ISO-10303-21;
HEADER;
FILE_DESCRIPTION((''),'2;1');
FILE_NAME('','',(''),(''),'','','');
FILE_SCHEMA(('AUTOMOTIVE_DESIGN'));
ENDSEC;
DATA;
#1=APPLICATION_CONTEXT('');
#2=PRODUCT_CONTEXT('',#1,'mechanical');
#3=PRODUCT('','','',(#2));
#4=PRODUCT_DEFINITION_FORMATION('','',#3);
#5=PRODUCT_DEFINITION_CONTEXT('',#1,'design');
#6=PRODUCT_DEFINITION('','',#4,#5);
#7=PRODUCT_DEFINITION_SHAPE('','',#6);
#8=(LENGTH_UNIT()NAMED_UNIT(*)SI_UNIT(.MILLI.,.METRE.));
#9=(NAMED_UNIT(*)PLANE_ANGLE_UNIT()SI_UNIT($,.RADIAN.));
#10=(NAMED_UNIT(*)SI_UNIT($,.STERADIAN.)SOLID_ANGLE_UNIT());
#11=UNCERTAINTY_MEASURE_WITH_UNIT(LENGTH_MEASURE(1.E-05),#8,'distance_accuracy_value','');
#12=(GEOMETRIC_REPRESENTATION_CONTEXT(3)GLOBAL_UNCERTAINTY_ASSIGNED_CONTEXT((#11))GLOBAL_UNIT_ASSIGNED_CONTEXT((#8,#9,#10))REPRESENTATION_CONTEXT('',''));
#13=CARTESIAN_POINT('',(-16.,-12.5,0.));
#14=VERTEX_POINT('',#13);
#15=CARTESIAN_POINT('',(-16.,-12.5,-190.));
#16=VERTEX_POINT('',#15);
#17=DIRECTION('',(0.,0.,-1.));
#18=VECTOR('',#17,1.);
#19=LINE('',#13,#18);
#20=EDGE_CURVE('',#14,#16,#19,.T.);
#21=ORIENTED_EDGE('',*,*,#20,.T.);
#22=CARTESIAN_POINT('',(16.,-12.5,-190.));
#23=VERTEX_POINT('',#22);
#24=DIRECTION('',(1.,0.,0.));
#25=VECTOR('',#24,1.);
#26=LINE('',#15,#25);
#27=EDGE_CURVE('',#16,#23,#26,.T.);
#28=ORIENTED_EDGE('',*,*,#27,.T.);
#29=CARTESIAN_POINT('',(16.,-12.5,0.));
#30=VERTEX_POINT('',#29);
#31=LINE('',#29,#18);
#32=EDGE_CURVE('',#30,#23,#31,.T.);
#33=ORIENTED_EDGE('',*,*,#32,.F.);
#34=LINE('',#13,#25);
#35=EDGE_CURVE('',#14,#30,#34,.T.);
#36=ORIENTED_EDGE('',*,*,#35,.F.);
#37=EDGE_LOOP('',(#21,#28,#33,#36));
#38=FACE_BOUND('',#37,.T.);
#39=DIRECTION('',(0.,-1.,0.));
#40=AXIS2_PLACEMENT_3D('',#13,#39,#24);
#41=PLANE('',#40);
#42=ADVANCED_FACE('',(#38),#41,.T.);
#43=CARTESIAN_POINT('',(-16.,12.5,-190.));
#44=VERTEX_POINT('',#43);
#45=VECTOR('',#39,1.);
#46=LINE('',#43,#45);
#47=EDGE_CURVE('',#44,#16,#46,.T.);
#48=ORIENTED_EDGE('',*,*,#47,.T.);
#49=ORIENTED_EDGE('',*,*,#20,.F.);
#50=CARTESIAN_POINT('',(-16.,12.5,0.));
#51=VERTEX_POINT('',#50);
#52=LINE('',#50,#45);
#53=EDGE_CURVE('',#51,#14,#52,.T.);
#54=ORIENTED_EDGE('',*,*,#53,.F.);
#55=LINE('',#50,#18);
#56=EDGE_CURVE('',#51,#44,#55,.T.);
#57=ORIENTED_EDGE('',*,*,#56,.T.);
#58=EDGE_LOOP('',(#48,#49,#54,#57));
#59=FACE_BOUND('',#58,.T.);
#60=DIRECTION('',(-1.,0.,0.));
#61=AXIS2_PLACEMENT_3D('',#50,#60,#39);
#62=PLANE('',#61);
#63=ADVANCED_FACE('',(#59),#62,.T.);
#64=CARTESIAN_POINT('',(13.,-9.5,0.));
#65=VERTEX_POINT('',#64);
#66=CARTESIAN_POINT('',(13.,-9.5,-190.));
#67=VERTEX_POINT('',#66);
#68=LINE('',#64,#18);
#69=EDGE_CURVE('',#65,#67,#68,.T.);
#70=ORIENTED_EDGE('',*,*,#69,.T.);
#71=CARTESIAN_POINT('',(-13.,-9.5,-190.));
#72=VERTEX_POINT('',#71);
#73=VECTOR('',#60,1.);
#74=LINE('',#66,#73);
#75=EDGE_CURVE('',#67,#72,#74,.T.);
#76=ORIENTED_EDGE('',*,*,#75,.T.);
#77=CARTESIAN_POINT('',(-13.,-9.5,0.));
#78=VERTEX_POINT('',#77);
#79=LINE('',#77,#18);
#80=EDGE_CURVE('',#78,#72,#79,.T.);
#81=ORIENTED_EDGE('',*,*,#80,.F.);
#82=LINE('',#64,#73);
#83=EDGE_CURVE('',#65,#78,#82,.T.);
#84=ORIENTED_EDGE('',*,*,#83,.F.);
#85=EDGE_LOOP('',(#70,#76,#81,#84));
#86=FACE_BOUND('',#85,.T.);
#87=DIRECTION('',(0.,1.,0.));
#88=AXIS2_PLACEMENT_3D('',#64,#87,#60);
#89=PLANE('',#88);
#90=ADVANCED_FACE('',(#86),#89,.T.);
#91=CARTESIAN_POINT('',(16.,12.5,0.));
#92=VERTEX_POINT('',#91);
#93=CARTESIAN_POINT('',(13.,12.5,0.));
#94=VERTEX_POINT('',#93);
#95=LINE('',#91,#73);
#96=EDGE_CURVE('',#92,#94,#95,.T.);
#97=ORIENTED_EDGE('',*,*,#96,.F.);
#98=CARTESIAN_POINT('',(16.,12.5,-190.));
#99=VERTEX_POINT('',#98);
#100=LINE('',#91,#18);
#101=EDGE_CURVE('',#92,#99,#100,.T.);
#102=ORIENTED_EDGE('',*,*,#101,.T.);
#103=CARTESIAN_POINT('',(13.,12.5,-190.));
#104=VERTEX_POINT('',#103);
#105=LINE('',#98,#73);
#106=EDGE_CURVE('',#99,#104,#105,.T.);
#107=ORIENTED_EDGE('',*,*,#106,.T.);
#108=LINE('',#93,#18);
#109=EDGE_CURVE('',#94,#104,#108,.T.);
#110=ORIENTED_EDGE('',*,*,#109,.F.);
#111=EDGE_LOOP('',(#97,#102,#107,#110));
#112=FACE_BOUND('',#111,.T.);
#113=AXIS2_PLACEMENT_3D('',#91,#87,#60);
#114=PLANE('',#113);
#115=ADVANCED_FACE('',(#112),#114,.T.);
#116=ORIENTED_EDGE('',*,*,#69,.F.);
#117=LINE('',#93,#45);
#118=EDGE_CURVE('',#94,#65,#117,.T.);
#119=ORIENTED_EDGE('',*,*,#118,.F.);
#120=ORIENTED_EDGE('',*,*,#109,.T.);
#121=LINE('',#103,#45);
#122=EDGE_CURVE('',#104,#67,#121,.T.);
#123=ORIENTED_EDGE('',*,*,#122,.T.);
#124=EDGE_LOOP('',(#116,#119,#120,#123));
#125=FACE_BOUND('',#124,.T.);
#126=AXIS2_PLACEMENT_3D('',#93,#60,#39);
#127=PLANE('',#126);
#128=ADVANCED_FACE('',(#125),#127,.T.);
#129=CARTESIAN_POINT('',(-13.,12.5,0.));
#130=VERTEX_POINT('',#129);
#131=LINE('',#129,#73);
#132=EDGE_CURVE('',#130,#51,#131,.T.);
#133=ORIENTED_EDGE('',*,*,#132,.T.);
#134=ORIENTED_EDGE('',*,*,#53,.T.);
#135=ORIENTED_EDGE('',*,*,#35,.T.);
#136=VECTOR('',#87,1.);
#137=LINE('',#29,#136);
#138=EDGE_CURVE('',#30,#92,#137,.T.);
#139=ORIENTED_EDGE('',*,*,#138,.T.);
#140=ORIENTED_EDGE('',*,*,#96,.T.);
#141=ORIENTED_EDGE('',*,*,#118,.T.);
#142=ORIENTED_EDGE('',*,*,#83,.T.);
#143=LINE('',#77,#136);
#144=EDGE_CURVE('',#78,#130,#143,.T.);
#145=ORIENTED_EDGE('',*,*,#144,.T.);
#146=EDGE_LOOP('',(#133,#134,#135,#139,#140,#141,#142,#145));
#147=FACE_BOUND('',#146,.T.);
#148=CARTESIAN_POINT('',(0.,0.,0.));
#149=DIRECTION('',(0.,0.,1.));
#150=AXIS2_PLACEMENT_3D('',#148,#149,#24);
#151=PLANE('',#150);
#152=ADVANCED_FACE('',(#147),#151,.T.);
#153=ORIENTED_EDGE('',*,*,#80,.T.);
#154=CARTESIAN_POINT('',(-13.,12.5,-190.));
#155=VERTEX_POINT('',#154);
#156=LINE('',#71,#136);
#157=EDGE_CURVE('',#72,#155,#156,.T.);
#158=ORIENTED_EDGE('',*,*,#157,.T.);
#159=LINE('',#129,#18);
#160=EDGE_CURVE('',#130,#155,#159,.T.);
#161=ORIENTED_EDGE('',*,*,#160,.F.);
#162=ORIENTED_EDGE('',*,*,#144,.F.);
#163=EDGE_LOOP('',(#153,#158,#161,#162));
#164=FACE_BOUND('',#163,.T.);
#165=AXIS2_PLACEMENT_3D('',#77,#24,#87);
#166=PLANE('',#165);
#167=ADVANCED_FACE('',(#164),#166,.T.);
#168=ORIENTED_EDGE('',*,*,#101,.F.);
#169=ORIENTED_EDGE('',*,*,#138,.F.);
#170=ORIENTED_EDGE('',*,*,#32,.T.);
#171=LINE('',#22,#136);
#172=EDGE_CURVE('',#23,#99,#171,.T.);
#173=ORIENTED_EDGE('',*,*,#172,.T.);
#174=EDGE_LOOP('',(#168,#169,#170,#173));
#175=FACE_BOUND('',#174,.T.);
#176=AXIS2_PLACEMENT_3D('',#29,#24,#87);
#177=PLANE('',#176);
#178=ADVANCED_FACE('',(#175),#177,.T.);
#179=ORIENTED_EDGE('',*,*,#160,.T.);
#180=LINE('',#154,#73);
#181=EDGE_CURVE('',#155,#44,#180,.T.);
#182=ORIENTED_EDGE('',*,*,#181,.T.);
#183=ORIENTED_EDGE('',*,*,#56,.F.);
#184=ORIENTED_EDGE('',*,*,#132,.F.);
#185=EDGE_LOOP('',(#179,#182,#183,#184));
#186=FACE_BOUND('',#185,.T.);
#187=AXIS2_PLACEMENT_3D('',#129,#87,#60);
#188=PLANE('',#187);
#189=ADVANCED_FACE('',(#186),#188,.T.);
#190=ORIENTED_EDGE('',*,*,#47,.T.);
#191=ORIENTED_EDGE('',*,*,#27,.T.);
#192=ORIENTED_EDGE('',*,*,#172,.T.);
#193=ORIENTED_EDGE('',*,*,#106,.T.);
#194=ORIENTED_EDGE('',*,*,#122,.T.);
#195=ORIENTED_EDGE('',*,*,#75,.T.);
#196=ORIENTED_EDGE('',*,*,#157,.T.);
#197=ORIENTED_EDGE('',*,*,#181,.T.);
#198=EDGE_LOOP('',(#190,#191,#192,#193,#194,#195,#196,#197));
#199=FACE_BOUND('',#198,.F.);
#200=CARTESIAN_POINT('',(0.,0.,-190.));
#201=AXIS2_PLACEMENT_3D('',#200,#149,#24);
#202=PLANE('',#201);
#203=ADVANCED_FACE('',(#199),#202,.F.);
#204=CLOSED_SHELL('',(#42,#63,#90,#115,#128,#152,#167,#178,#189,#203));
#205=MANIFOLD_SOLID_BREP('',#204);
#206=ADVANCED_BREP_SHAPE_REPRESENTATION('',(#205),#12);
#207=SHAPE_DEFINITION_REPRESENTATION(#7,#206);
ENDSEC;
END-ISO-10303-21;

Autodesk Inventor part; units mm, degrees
ref_plane "YZ Plane" through (0, 0, 0) normal (1, 0, 0) x (0, 1, 0)
ref_plane "XZ Plane" through (0, 0, 0) normal (0, 1, 0) x (-1, 0, 0)
ref_plane "XY Plane" through (0, 0, 0) normal (0, 0, 1) x (1, 0, 0)
sketch "Sketch1" plane through (0, 0, 0) normal (0, 0, 1) x (1, 0, 0)
  line L0 (-16, -12.5) -> (16, -12.5)
  line L1 (16, -12.5) -> (16, 12.5)
  line L2 (16, 12.5) -> (13, 12.5)
  line L3 (13, 12.5) -> (13, -9.5)
  line L4 (13, -9.5) -> (-13, -9.5)
  line L5 (-13, -9.5) -> (-13, 12.5)
  line L6 (-13, 12.5) -> (-16, 12.5)
  line L7 (-16, 12.5) -> (-16, -12.5)
  point P0 (0, 0)
  dimension "d0" = 32
  dimension "d1" = 25
  dimension "d2" = 3
  dimension "d3" = 90
  dimension "d4" = 22
  dimension "d5" = 26
  dimension "d6" = 22
  dimension "d7" = 3
  dimension "d8" = 25
  dimension "d10" = 12.5
  dimension "d11" = 16
extrude "Extrusion1" add sketch "Sketch1" against normal blind 190
equation "\"d5\" = d0 - 2 * d7"
equation "\"d10\" = 0.5 * d1"
equation "\"d11\" = 0.5 * d0"
properties part number "Chassis Vertical"
